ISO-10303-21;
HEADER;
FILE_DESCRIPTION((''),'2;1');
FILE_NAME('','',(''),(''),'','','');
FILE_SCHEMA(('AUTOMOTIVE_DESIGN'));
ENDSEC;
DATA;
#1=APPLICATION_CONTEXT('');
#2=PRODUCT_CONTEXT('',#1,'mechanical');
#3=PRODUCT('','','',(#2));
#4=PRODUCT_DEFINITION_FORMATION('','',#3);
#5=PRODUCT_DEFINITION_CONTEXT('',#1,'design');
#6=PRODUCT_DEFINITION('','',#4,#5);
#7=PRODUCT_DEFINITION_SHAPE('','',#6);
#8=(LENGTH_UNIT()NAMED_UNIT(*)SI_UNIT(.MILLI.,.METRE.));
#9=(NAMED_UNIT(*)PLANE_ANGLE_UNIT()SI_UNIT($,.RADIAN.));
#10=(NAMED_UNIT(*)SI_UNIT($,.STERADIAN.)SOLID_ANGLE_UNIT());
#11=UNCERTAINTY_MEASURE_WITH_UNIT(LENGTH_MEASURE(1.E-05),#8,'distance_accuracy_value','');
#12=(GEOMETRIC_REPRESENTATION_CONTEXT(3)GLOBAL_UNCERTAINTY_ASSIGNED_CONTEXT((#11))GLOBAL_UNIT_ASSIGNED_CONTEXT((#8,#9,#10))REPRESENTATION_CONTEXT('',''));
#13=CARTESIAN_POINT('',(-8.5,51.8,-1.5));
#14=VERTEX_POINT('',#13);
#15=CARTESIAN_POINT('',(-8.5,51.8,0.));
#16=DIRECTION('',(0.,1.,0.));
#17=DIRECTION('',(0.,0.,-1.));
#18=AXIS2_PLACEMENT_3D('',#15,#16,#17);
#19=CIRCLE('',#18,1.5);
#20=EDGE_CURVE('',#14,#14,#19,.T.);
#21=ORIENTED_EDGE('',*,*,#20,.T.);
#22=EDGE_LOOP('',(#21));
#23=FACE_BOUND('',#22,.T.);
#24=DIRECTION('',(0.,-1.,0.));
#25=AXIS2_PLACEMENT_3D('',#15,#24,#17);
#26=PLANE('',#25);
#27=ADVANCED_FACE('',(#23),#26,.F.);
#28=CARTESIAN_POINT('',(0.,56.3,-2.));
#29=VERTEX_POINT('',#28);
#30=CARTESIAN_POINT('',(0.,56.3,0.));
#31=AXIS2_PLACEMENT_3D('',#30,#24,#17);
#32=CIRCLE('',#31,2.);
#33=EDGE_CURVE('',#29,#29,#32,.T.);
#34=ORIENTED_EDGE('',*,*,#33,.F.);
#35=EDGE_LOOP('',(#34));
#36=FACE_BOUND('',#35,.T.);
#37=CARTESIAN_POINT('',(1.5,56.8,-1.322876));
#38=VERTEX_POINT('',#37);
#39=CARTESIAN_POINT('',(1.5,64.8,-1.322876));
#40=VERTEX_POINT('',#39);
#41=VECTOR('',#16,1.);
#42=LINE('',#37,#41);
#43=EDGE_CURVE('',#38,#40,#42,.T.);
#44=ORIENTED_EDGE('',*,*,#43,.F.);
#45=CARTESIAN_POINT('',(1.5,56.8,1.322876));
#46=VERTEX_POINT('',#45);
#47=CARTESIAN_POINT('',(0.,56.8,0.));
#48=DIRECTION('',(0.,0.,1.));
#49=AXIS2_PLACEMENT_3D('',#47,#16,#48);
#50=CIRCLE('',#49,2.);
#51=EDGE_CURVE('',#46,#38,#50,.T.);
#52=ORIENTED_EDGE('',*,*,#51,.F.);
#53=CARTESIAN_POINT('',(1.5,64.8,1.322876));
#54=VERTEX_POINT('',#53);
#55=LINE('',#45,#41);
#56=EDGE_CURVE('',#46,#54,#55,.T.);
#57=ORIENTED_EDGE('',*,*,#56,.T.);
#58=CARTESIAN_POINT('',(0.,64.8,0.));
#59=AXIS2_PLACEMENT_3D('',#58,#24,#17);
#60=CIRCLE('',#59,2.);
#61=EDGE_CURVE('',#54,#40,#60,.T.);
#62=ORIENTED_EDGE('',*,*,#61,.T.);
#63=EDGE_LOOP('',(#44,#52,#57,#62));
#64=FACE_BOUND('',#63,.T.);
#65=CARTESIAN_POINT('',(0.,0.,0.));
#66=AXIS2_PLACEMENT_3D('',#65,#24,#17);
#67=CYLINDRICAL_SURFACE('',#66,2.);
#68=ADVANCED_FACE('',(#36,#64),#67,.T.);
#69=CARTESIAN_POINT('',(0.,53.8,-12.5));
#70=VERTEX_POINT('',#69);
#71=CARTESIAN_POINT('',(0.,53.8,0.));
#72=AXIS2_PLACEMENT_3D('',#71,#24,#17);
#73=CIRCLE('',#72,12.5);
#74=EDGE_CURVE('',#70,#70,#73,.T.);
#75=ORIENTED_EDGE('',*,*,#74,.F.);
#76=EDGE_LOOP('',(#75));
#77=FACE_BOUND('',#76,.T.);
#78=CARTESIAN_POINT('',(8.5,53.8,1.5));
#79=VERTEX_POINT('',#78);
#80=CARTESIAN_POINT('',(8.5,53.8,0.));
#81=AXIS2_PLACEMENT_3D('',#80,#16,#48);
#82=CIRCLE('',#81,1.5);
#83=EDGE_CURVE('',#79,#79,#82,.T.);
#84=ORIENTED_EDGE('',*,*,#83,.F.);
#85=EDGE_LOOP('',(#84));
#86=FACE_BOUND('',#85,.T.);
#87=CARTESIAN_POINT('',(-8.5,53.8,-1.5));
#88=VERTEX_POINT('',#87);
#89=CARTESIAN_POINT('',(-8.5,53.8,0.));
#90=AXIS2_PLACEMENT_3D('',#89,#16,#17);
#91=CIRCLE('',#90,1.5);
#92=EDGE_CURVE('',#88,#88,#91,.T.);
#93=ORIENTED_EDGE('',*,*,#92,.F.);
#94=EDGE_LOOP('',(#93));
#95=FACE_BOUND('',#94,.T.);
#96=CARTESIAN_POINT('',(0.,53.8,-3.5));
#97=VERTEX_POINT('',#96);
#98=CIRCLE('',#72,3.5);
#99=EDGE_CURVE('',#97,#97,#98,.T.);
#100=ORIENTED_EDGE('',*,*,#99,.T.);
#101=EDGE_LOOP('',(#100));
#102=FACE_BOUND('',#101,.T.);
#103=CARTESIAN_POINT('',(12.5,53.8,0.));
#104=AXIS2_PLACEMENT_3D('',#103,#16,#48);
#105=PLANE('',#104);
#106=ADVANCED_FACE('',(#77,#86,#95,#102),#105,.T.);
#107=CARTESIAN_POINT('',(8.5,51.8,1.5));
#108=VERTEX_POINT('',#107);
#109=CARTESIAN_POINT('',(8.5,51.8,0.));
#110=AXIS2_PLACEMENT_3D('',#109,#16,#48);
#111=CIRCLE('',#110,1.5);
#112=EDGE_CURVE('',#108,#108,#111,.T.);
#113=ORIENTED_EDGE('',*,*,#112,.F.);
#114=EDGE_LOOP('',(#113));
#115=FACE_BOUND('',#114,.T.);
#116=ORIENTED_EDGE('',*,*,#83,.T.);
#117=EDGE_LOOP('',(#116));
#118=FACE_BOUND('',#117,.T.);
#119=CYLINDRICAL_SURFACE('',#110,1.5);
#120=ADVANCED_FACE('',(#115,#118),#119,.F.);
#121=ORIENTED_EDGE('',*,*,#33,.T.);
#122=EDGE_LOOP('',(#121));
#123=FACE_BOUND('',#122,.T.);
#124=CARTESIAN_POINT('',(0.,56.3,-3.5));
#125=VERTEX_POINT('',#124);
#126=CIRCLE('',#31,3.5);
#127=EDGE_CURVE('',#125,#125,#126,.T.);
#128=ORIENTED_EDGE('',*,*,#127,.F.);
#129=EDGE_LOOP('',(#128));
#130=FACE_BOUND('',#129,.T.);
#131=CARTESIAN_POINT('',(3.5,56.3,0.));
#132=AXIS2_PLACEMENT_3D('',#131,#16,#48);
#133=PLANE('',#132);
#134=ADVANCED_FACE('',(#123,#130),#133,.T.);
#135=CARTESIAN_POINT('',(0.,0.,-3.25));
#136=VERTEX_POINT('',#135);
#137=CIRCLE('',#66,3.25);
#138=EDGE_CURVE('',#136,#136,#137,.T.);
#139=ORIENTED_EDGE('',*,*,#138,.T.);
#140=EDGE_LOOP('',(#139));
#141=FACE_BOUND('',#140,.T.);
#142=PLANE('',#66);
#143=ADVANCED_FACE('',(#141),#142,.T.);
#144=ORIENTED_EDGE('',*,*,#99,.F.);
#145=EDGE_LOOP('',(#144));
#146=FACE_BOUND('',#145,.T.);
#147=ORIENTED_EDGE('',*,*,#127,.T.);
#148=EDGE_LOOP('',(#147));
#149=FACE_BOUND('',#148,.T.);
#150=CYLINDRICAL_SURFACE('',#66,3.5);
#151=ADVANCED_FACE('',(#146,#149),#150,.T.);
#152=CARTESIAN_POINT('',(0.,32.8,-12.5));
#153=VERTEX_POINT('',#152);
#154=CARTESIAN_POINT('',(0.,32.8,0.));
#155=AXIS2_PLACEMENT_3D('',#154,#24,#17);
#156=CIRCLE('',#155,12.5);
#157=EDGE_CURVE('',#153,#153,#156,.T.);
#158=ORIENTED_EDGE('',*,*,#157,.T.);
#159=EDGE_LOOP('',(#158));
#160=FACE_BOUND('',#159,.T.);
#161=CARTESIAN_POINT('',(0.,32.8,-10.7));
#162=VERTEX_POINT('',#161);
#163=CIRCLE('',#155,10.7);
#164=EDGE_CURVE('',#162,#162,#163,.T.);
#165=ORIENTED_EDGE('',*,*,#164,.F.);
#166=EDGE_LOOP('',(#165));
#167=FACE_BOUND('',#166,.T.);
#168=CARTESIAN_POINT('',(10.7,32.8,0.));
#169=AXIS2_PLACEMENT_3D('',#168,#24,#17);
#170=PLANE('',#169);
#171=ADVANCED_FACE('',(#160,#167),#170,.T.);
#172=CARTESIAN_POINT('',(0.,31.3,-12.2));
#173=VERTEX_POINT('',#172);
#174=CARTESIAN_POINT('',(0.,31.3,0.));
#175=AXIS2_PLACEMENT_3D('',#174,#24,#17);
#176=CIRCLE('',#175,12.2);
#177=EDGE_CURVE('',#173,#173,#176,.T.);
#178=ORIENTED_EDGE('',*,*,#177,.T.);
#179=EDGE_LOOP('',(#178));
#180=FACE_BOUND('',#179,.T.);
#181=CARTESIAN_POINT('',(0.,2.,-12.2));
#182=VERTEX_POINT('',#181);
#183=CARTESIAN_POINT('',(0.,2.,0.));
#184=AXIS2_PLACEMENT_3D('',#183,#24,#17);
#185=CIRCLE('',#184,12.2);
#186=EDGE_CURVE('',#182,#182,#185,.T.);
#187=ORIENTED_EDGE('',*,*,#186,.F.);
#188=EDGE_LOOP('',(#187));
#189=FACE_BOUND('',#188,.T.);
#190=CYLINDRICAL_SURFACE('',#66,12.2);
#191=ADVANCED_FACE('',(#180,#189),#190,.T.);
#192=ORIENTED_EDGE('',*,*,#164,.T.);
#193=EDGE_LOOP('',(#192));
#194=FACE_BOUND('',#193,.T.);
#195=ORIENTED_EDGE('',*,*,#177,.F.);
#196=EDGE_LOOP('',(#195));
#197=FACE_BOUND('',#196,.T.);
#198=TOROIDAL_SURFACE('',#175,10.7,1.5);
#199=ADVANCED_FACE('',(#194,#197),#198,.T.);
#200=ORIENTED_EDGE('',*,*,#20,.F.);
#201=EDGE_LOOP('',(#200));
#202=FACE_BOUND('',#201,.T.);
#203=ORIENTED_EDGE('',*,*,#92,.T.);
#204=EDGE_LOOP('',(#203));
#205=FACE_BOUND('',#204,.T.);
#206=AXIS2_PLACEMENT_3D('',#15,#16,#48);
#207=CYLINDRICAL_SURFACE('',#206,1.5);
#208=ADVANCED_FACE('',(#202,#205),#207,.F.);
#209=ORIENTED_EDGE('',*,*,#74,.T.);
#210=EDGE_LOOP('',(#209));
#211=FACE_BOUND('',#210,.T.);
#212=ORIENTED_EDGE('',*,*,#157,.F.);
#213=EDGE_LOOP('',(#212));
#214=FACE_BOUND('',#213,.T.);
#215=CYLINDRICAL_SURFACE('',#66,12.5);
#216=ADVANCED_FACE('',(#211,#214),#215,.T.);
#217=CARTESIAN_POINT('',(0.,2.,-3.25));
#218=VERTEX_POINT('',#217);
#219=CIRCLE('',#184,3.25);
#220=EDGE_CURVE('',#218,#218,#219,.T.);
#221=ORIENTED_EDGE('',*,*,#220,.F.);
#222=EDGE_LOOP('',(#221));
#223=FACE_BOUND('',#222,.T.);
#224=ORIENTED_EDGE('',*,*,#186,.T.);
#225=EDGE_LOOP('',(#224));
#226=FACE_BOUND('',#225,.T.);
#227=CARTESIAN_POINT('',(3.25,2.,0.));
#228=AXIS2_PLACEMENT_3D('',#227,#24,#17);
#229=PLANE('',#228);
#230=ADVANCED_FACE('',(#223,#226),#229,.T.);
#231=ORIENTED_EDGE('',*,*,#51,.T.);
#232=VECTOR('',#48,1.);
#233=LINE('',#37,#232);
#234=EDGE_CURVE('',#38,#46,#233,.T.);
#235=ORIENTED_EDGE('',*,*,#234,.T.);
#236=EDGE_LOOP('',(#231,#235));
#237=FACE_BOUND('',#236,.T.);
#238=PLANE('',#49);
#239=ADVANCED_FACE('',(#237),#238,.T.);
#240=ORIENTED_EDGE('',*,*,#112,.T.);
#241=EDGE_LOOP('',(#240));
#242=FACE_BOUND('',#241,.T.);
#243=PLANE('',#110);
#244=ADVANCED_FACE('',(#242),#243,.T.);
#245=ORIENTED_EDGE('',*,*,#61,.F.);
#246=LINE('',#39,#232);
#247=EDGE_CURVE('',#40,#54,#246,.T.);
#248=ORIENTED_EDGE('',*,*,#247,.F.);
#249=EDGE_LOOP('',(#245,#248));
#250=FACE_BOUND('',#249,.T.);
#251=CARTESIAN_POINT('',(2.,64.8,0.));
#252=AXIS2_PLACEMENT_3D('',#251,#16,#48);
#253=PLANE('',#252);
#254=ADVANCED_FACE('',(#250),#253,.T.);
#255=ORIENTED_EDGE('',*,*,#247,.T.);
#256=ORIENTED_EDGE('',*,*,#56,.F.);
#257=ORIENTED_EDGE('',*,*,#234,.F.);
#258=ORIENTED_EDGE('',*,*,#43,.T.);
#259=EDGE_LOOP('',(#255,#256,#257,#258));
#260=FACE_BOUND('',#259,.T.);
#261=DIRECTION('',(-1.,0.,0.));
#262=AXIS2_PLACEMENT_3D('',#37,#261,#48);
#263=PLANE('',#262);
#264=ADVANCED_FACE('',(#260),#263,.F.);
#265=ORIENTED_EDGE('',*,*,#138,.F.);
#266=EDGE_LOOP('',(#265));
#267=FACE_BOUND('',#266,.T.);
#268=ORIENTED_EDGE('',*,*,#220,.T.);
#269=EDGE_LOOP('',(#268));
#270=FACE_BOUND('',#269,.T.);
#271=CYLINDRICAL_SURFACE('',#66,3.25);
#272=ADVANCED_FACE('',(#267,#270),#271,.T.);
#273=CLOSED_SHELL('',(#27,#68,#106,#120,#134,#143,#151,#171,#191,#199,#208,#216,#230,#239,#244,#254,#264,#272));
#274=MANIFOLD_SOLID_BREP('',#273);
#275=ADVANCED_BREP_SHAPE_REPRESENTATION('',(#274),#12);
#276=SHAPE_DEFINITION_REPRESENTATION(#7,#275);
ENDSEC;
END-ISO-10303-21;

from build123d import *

# Parameters (mm, degrees)
ODEBRAT_VYSUNUT_M1_DEPTH = 8
SKICA3_R                 = 1.5
ODEBRAT_VYSUNUT_M2_DEPTH = 2


with BuildPart() as part:
    # Skica1 → Rotovat1 (revolve)
    with BuildSketch(Plane.XY):
        with BuildLine():
            Line((0, 0), (3.25, 0))
            Line((3.25, 0), (3.25, 2))
            Line((3.25, 2), (12.2, 2))
            Line((12.2, 2), (12.2, 31.3))
            ThreePointArc((12.2, 31.3), (11.760660172, 32.360660172), (10.7, 32.8))
            Line((10.7, 32.8), (12.5, 32.8))
            Line((12.5, 32.8), (12.5, 53.8))
            Line((12.5, 53.8), (3.5, 53.8))
            Line((3.5, 53.8), (3.5, 56.3))
            Line((3.5, 56.3), (2, 56.3))
            Line((2, 56.3), (2, 64.8))
            Line((2, 64.8), (0, 64.8))
            Line((0, 64.8), (0, 0))
        make_face()
    revolve(axis=Axis((0, 0, 0), (0, 1, 0)))

    # Skica2 → Odebrat vysunutím1 (cut)
    with BuildSketch(Plane(origin=(0, 64.8, 0), x_dir=(1, 0, 0), z_dir=(0, 1, 0))):
        with BuildLine():
            Line((1.5, 1.322875656), (1.5, -1.322875656))
            ThreePointArc((1.5, -1.322875656), (2, 0), (1.5, 1.322875656))
        make_face()
    extrude(amount=-ODEBRAT_VYSUNUT_M1_DEPTH, mode=Mode.SUBTRACT)

    # Skica3 → Odebrat vysunutím2 (cut)
    with BuildSketch(Plane(origin=(0, 53.8, 0), x_dir=(1, 0, 0), z_dir=(0, 1, 0))):
        with Locations((8.5, 0)):
            Circle(SKICA3_R)
        with Locations((-8.5, 0)):
            Circle(SKICA3_R)
    extrude(amount=-ODEBRAT_VYSUNUT_M2_DEPTH, mode=Mode.SUBTRACT)


solid = part.part
